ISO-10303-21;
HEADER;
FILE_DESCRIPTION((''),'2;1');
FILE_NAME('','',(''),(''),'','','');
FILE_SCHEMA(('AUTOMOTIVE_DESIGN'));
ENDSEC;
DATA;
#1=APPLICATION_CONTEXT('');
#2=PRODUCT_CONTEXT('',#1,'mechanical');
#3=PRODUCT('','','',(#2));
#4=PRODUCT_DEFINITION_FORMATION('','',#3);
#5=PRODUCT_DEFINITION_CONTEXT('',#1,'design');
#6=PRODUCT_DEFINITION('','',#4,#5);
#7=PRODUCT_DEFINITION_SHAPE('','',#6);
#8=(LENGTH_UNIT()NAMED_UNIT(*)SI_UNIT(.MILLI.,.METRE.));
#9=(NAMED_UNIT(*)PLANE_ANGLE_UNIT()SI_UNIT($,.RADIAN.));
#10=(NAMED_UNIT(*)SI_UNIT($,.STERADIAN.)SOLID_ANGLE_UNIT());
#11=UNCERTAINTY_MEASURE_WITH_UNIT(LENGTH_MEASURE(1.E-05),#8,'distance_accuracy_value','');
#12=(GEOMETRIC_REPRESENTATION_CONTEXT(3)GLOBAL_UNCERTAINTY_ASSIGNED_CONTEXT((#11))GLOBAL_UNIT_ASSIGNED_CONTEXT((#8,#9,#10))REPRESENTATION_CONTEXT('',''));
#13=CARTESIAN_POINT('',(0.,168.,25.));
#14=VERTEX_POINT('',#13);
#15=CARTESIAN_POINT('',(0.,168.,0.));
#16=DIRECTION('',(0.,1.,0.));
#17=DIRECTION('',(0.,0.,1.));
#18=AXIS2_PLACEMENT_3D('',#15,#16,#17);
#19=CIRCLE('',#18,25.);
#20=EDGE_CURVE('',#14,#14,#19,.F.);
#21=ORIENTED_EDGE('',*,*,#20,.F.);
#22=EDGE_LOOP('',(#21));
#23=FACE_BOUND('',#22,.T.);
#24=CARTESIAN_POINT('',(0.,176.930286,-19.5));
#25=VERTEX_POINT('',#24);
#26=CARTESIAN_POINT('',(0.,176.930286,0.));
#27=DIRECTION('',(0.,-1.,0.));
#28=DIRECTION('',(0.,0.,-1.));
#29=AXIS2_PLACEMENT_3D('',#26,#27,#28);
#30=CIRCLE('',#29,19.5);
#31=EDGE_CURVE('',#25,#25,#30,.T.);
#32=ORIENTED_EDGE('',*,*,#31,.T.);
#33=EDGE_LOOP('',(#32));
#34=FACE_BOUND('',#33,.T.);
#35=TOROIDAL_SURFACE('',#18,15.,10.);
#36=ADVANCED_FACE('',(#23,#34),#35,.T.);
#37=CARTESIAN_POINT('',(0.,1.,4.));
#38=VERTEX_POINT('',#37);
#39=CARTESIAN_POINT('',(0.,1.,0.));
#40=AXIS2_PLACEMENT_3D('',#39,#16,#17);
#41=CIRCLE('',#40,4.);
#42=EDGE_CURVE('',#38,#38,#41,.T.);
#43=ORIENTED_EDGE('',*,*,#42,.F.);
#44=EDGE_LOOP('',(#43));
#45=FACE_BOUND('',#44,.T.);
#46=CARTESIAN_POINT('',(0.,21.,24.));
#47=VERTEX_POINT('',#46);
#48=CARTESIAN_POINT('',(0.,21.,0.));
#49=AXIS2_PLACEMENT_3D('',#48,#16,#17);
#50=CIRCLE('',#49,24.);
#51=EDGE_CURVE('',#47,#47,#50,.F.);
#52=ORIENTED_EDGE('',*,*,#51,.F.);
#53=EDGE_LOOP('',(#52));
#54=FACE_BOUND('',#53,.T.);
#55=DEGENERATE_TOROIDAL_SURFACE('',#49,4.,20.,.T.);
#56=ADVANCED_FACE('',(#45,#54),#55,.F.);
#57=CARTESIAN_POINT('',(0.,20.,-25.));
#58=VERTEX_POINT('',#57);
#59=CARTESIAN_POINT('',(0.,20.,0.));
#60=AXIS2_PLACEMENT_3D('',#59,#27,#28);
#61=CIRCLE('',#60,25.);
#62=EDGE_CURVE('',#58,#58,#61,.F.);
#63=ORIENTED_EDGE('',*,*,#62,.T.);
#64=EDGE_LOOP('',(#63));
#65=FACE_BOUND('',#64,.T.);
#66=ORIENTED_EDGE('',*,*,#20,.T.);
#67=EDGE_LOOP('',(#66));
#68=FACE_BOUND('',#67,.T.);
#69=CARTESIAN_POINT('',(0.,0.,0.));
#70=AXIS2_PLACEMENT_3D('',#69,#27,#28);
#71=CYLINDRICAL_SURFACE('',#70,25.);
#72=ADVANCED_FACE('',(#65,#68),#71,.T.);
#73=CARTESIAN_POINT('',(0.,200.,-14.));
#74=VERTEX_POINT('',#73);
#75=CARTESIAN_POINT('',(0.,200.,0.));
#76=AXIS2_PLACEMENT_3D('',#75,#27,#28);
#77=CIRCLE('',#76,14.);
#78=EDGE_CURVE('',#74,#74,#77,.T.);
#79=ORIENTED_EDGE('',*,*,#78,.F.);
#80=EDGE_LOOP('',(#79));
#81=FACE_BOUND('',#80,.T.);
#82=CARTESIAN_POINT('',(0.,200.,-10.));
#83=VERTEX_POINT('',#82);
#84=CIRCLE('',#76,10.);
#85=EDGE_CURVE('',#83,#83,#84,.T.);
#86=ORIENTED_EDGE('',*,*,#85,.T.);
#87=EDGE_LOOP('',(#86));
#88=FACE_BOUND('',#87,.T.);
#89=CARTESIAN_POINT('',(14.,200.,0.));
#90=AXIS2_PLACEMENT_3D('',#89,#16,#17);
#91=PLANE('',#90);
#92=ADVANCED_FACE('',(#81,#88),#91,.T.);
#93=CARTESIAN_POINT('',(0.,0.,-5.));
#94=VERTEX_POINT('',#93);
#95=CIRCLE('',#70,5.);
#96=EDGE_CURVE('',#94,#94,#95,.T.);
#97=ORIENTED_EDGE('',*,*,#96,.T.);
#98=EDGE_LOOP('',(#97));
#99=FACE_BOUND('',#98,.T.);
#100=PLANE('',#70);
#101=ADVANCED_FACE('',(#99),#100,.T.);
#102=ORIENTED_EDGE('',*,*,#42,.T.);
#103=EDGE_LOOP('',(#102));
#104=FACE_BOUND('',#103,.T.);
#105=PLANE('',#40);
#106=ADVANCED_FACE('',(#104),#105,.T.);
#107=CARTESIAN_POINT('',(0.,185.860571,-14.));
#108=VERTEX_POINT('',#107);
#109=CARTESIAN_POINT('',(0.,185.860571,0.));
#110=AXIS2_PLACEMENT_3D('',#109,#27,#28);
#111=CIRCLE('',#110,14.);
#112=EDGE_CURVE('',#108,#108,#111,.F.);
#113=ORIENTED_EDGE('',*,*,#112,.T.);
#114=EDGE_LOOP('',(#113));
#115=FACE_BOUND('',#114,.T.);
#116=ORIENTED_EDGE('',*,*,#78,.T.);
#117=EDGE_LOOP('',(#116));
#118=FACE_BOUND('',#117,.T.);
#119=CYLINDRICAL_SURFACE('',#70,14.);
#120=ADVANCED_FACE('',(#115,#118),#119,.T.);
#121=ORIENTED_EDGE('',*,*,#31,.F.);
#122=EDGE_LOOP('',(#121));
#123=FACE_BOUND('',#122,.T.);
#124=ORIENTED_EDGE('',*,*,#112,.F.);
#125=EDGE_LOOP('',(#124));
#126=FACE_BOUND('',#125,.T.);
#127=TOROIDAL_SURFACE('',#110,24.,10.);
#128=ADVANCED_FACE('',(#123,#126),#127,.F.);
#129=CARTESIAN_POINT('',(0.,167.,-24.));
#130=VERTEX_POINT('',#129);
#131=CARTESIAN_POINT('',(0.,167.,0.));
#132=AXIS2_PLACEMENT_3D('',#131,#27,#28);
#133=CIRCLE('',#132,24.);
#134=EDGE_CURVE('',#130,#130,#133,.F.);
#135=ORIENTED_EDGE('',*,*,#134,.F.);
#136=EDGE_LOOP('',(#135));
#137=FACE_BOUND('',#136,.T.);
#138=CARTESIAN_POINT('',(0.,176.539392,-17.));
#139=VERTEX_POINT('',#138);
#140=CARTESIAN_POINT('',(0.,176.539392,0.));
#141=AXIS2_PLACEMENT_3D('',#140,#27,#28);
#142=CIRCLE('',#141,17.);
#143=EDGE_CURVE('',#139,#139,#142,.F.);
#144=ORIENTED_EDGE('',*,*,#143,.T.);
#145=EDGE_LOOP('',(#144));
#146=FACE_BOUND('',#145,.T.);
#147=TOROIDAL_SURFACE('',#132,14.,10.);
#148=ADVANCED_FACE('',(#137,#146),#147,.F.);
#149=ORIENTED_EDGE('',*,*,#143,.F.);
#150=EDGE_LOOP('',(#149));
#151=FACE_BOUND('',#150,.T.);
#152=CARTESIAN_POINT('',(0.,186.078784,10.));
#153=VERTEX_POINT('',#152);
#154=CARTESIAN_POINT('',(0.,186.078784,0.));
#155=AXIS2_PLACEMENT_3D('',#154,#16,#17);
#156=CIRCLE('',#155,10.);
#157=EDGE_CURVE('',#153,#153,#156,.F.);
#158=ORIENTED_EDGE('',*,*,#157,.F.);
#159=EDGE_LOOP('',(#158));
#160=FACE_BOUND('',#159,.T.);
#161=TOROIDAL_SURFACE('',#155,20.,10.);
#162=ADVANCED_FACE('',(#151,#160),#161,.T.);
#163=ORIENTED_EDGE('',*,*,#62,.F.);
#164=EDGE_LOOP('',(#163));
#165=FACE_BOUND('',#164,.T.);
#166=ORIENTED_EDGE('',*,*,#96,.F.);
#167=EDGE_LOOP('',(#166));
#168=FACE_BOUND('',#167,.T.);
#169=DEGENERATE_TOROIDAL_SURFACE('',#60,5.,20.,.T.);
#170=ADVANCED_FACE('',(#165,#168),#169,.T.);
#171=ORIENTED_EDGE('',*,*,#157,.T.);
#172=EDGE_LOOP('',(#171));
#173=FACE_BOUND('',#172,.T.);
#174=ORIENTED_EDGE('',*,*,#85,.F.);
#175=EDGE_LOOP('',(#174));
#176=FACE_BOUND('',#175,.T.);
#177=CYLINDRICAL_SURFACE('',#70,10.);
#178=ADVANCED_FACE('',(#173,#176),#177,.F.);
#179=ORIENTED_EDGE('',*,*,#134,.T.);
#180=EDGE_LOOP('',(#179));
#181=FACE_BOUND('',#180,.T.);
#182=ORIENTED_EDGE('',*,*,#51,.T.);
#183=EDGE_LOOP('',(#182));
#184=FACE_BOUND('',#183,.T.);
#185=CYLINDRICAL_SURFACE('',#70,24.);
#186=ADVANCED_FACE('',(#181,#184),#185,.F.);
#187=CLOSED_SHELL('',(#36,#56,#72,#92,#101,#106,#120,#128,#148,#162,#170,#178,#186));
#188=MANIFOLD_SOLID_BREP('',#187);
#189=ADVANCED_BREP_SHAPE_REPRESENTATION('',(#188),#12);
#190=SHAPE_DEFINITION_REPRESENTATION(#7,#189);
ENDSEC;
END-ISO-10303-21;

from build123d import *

# Parameters (mm, degrees)
VERRUNDUNG1_R = 20
VERRUNDUNG4_R = 10
VERRUNDUNG5_R = 10


with BuildPart() as part:
    # Skizze1 → Rotation1 (revolve)
    with BuildSketch(Plane.XY):
        Polygon((0, 0), (25, 0), (25, 178), (14, 178), (14, 200), (10, 200), (10, 177), (13, 177), (24, 177), (24, 1), (0, 1), align=None)
    revolve(axis=Axis((0, 0, 0), (0, 1, 0)))

    # Verrundung1
    verrundung1_edges = [part.edges().sort_by_distance(p)[0] for p in [
        (-25, 0, 0),
        (-24, 1, 0),
    ]]
    fillet(verrundung1_edges, radius=VERRUNDUNG1_R)

    # Verrundung4
    verrundung4_edges = [part.edges().sort_by_distance(p)[0] for p in [
        (-25, 178, 0),
        (-24, 177, 0),
    ]]
    fillet(verrundung4_edges, radius=VERRUNDUNG4_R)

    # Verrundung5
    verrundung5_edges = [part.edges().sort_by_distance(p)[0] for p in [
        (-14, 178, 0),
        (-10, 177, 0),
    ]]
    fillet(verrundung5_edges, radius=VERRUNDUNG5_R)


solid = part.part
